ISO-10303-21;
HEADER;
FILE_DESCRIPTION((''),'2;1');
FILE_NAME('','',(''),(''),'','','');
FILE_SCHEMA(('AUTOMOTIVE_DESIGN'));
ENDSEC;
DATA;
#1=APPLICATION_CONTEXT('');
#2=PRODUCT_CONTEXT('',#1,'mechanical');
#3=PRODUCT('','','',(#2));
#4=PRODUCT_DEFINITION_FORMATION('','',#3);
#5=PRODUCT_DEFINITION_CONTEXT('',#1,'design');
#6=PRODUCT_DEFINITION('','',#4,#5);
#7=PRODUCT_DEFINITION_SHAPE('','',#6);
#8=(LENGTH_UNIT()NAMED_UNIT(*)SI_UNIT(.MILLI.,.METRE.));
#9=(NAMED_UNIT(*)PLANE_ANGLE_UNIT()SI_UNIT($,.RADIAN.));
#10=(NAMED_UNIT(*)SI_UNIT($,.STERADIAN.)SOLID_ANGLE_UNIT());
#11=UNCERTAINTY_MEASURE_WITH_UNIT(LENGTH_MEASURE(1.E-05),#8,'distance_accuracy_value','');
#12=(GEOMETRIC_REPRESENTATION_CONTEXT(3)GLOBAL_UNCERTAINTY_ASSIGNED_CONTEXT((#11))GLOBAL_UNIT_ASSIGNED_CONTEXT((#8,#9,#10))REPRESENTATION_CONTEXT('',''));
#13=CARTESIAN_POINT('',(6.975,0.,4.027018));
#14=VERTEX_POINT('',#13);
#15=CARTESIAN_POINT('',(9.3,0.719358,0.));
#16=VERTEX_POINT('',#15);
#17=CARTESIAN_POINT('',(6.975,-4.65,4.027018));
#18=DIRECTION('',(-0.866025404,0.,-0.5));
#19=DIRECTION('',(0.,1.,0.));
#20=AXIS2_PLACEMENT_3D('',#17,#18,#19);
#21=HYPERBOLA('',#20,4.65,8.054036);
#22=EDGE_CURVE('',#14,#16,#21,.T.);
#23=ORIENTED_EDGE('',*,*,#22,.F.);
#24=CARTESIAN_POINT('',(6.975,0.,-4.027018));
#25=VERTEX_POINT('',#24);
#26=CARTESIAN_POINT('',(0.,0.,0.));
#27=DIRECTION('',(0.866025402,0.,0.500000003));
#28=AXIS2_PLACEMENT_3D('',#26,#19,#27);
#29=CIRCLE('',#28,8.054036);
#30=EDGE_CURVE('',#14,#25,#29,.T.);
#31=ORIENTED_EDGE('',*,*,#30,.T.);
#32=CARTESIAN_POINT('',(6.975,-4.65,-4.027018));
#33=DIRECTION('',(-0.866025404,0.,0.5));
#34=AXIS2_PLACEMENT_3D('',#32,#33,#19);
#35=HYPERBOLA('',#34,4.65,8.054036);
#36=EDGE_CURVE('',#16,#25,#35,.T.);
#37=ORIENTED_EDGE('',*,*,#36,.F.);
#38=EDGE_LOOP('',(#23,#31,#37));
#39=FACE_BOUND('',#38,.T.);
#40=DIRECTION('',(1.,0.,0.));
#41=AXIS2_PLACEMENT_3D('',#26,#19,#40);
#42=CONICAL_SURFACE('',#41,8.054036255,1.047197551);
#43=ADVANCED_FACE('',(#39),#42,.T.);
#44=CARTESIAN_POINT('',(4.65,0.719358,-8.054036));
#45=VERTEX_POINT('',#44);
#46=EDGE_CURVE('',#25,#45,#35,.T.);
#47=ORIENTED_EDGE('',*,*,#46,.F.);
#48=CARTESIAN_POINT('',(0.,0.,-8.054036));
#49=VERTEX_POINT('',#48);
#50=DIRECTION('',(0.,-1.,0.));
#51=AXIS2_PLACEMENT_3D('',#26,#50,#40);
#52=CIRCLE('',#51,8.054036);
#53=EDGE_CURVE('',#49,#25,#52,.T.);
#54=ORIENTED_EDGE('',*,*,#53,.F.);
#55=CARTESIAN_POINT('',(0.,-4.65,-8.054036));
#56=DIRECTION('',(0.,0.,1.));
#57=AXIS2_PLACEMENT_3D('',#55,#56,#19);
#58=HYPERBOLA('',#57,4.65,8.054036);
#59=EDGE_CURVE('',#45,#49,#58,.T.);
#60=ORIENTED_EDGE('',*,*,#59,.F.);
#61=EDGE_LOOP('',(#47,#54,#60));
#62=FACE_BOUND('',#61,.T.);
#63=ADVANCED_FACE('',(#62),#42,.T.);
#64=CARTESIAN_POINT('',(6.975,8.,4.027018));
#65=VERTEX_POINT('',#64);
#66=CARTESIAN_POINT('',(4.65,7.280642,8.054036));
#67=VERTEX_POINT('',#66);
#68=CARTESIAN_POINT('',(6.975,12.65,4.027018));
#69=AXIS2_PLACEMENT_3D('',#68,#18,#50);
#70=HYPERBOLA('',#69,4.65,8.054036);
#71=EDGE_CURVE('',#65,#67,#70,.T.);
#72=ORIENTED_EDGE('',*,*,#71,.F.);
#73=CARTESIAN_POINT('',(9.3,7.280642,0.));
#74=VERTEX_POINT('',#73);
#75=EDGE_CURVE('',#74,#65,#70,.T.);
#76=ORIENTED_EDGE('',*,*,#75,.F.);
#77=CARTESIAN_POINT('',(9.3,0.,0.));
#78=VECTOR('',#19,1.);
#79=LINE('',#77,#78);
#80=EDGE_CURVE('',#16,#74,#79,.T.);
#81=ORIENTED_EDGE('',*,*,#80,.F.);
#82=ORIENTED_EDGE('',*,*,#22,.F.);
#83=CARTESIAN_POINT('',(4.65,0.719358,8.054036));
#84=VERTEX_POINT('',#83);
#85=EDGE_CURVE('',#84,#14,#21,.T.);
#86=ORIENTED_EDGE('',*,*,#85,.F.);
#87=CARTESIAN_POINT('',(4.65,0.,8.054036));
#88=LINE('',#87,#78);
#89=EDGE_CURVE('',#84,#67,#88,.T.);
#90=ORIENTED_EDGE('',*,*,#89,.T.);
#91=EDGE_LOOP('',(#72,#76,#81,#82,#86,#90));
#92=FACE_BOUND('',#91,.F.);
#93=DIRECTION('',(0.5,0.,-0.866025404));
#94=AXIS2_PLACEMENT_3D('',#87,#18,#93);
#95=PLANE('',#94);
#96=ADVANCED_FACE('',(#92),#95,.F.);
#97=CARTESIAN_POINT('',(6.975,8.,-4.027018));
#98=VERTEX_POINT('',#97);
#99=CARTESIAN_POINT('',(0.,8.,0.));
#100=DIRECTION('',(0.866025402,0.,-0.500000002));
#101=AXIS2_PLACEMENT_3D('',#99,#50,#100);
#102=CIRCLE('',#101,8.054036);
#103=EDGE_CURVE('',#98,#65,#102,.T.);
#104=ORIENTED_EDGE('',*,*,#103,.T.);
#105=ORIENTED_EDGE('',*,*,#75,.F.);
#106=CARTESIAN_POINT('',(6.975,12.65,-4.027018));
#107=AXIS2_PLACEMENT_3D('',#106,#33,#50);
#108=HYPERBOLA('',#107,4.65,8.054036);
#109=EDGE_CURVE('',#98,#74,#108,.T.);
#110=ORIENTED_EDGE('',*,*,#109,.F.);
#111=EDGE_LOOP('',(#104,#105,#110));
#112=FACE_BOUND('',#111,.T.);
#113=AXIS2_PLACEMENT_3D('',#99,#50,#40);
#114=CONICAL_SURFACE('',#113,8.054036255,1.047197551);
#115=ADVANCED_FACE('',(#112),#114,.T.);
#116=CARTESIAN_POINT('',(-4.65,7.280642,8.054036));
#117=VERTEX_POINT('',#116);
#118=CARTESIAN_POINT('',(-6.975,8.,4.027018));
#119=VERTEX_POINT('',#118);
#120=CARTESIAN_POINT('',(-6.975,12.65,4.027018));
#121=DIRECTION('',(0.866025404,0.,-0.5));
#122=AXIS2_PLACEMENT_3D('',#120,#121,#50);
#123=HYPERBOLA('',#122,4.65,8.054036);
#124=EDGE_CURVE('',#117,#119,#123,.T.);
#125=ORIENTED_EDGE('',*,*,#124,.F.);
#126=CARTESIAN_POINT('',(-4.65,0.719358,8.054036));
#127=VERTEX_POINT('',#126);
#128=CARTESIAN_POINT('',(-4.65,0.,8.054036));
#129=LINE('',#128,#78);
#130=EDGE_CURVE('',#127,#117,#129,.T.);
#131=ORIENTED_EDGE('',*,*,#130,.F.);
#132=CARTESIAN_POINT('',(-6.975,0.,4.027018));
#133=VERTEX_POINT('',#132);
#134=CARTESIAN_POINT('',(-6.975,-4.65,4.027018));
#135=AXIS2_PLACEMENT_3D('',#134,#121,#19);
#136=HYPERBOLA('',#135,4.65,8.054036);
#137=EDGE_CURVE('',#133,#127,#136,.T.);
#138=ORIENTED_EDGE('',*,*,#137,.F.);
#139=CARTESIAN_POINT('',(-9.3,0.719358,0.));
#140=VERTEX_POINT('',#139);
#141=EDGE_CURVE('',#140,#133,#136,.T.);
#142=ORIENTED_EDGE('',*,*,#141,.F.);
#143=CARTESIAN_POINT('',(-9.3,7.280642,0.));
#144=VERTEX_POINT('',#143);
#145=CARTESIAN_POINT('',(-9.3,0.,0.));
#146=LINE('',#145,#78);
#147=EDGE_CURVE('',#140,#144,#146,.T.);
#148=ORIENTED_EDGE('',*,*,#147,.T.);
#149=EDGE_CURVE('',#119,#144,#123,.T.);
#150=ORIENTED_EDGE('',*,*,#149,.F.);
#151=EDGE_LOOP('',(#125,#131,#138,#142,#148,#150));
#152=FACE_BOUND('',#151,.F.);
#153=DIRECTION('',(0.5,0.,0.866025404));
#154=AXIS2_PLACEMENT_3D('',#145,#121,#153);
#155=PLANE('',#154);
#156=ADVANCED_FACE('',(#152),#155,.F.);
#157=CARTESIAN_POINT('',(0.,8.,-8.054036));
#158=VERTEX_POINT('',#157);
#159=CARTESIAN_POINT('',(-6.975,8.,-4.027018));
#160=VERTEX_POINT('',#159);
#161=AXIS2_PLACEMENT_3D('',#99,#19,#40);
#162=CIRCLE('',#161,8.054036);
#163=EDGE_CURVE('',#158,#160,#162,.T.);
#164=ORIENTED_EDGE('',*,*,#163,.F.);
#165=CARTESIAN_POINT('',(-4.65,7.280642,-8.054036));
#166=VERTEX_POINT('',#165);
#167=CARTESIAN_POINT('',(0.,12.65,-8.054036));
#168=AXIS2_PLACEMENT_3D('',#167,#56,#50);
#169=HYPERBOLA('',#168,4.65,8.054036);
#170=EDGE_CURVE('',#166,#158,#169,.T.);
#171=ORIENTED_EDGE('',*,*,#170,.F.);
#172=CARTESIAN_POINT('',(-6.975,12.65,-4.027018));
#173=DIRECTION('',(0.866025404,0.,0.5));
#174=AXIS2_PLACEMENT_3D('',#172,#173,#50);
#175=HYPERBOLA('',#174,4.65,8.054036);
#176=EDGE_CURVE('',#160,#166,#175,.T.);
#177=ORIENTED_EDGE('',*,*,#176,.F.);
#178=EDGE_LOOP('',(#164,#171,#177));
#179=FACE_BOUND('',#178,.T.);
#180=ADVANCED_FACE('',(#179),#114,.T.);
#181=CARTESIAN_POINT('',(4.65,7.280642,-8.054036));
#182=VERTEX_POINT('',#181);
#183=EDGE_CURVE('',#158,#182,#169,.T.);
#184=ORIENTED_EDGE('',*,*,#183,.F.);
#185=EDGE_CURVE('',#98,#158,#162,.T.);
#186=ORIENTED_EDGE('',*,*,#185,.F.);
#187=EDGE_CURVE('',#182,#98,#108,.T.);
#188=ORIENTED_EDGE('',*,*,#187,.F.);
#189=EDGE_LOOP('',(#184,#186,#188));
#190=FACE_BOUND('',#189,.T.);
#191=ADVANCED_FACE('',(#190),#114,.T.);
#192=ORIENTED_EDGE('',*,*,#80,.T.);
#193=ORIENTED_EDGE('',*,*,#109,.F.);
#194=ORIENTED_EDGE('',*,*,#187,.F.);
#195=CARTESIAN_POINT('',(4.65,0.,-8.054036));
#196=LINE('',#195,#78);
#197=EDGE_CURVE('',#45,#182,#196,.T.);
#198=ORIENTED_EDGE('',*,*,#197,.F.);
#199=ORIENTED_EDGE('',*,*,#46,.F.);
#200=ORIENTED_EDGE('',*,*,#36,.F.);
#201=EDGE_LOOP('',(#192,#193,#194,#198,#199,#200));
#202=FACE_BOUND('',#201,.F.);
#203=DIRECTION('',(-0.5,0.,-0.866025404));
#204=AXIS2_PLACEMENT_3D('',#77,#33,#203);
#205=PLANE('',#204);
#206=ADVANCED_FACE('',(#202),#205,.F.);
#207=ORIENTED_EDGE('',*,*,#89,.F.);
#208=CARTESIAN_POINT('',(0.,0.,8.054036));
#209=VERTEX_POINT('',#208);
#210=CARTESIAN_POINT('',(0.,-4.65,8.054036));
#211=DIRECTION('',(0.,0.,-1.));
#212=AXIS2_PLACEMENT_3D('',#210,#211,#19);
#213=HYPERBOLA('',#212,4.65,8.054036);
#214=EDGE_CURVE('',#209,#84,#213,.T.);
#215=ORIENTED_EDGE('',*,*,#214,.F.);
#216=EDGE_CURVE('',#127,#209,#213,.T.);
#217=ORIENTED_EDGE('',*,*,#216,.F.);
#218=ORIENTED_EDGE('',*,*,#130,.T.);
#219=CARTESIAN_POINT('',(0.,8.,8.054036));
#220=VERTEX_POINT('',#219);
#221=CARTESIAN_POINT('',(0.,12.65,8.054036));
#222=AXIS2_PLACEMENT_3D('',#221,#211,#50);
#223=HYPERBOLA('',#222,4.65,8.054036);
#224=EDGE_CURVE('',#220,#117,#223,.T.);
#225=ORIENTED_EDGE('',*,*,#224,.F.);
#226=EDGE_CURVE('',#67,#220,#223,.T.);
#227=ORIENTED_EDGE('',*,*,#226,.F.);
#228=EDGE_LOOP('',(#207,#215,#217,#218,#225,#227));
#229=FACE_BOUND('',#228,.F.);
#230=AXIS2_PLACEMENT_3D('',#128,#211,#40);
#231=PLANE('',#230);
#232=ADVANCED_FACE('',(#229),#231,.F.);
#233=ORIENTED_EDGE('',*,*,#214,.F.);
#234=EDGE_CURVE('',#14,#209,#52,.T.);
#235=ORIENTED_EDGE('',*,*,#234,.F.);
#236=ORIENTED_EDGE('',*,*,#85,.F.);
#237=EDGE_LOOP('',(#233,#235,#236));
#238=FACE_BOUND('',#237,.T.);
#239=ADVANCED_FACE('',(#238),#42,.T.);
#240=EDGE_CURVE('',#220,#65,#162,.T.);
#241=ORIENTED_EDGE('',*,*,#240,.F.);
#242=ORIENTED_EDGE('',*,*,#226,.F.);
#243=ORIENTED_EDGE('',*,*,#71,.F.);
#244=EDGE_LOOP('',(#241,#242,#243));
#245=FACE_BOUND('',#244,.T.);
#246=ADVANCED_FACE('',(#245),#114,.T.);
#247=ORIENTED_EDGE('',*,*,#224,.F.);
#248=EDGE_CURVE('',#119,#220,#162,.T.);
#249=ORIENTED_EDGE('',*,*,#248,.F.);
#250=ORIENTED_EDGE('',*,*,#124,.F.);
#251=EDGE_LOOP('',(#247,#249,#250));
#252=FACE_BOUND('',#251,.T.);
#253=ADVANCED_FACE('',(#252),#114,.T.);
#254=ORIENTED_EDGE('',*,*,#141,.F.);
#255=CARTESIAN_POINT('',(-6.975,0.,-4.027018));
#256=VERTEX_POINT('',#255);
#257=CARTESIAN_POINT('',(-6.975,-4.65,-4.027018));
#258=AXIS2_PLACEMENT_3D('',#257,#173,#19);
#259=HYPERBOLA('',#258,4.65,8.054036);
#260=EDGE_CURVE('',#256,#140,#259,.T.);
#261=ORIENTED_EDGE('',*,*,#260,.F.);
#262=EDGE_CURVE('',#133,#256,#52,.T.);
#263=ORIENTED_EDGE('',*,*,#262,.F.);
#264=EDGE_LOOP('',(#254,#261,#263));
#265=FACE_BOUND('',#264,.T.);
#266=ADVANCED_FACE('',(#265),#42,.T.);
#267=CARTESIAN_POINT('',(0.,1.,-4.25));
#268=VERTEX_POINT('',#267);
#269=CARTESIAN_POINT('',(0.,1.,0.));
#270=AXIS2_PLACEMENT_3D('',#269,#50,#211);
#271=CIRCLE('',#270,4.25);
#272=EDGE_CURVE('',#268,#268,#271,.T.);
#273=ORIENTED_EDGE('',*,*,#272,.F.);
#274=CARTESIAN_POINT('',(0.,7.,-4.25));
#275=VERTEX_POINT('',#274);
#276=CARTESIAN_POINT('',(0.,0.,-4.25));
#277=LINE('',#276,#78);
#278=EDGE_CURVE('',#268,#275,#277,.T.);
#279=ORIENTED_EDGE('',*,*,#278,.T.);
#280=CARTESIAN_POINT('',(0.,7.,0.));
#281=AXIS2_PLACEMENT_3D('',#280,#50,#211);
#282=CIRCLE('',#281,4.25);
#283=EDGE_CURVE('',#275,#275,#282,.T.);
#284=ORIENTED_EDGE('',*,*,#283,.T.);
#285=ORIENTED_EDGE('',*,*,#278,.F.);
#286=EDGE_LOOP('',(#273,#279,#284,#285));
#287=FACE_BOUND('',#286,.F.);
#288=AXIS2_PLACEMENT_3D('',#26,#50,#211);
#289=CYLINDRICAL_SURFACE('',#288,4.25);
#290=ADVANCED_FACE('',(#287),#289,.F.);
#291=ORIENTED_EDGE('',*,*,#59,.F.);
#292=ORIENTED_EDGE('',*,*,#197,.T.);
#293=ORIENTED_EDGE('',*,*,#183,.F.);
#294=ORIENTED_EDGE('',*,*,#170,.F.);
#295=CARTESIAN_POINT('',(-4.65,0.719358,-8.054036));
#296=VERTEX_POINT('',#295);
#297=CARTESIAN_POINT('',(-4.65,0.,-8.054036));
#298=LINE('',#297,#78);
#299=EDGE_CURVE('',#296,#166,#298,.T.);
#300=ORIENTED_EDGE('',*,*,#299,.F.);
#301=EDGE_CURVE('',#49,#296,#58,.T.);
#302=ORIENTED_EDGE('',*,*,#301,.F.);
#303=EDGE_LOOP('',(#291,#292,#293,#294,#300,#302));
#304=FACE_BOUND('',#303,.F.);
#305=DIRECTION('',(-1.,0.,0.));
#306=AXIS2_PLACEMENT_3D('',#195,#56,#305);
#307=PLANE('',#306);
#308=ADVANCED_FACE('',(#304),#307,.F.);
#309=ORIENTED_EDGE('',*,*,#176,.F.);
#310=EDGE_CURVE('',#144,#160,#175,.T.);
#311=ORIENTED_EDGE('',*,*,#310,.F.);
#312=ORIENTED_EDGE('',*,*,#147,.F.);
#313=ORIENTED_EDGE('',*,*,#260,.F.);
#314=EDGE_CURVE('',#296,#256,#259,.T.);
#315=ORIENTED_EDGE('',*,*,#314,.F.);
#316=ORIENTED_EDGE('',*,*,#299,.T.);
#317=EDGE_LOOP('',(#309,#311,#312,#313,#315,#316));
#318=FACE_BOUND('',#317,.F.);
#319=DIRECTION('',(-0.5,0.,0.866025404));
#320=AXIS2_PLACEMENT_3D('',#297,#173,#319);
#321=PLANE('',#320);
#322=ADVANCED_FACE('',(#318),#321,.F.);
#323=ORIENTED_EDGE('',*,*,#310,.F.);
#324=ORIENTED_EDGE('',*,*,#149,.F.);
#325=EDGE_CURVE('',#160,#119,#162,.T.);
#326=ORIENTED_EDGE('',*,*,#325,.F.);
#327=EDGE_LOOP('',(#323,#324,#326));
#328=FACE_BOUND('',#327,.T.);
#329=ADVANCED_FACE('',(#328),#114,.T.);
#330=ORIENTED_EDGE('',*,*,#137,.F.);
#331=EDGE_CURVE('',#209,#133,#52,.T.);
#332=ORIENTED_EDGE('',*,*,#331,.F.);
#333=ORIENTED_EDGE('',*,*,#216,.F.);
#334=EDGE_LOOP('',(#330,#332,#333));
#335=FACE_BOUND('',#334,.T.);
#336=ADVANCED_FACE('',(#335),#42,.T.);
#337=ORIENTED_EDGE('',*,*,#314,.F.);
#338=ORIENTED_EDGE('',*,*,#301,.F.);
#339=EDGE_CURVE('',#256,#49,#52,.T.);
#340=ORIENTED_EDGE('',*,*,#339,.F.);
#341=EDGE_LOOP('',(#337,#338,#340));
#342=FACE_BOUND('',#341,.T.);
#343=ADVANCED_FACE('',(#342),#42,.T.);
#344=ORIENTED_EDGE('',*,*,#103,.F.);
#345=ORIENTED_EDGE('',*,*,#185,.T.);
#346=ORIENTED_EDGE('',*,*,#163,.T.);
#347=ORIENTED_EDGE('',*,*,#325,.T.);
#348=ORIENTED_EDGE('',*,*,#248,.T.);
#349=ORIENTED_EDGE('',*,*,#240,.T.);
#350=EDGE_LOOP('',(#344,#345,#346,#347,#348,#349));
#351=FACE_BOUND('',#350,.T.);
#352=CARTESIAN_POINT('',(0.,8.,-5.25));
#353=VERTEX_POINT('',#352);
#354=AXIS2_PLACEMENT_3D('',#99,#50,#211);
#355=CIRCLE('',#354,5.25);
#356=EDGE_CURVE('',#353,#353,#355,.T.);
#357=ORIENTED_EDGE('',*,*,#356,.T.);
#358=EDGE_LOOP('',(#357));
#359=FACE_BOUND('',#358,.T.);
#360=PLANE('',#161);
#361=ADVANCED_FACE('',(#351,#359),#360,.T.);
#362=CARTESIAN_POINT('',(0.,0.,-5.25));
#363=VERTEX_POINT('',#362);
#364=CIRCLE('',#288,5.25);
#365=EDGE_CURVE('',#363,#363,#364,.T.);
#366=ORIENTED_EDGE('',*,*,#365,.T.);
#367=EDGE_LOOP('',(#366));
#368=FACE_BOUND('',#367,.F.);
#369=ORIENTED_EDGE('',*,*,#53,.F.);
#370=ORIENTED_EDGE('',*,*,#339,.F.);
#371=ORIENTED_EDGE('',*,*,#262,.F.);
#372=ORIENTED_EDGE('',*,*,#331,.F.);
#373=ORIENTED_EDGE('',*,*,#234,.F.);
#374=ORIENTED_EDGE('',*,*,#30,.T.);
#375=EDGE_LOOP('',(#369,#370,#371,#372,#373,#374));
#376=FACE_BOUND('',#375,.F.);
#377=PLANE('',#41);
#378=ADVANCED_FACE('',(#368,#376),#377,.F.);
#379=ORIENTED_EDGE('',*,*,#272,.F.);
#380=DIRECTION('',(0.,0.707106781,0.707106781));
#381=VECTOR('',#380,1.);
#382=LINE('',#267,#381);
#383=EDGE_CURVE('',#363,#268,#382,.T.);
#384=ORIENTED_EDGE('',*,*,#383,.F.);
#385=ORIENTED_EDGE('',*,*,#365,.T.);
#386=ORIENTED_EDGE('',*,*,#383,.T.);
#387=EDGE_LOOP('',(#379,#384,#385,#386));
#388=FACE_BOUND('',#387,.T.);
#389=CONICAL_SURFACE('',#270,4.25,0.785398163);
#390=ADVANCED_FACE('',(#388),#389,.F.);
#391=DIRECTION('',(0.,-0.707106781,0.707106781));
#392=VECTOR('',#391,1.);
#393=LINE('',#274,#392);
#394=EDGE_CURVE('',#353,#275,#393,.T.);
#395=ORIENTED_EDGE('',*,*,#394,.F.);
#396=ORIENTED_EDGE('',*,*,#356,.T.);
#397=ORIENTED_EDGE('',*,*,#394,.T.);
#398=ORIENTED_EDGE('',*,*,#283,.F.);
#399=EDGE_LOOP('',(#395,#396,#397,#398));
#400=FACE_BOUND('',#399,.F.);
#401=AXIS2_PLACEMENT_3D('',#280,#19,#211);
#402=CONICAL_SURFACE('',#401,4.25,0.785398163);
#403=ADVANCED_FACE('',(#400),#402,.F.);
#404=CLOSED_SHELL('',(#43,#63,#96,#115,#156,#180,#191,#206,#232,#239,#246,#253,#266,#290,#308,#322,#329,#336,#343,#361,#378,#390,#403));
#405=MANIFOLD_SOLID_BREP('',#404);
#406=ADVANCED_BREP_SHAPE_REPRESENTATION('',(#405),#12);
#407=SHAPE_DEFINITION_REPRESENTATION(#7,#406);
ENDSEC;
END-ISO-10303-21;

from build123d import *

# Parameters (mm, degrees)
EXTRUDE_1_DEPTH     = 8
SKETCH_2_OUTSIDE_W  = 53.488
SKETCH_2_OUTSIDE_H  = 50.996
SKETCH_2_OUTSIDE_R  = 8.054036255
CUT_EXTRUDE_2_DEPTH = 8
CUT_EXTRUDE_2_DRAFT = -60
SKETCH_3_OUTSIDE_W  = 53.488
SKETCH_3_OUTSIDE_H  = 50.996
SKETCH_3_OUTSIDE_R  = 8.054036255
CUT_EXTRUDE_3_DEPTH = 8
CUT_EXTRUDE_3_DRAFT = -60
SKETCH_4_R          = 4.25
CUT_EXTRUDE_4_DEPTH = 15.675063884
CHAMFER_1_SIZE      = 1


with BuildPart() as part:
    # Эскиз1 → Бобышка-Вытянуть1 (new body)
    with BuildSketch(Plane(origin=(0, 0, 0), x_dir=(1, 0, 0), z_dir=(0, 1, 0))):
        Polygon((9.3, 0), (4.65, 8.054036255), (-4.65, 8.054036255), (-9.3, 0), (-4.65, -8.054036255), (4.65, -8.054036255), align=None)
    extrude(amount=EXTRUDE_1_DEPTH)


with BuildPart() as cut_extrude_2_tool:
    # Эскиз2 outside → Вырез-Вытянуть2 (with draft: the straight prism first)
    with BuildSketch(Plane(origin=(0, 8, 0), x_dir=(1, 0, 0), z_dir=(0, 1, 0))):
        Rectangle(SKETCH_2_OUTSIDE_W, SKETCH_2_OUTSIDE_H)
        Circle(SKETCH_2_OUTSIDE_R, mode=Mode.SUBTRACT)
    extrude(amount=-CUT_EXTRUDE_2_DEPTH)
    # Вырез-Вытянуть2: the draft: its side faces are tilted about the plane it starts from
    cut_extrude_2_sides = [cut_extrude_2_tool.faces().sort_by_distance(p)[0] for p in [
        (0, 4, 25.498),
        (26.744, 4, 0),
        (0, 4, -25.498),
        (-26.744, 4, 0),
        (-8.054036255, 4, 0),
    ]]
    draft(cut_extrude_2_sides, Plane(origin=(0, 8, 0), x_dir=(1, 0, 0), z_dir=(0, 1, 0)), CUT_EXTRUDE_2_DRAFT)


with BuildPart() as part_1:
    add(part.part)

    # Вырез-Вытянуть2: cut by cut_extrude_2_tool
    add(cut_extrude_2_tool.part, mode=Mode.SUBTRACT)


with BuildPart() as cut_extrude_3_tool:
    # Эскиз3 outside → Вырез-Вытянуть3 (with draft: the straight prism first)
    with BuildSketch(Plane.XZ):
        Rectangle(SKETCH_3_OUTSIDE_W, SKETCH_3_OUTSIDE_H)
        Circle(SKETCH_3_OUTSIDE_R, mode=Mode.SUBTRACT)
    extrude(amount=-CUT_EXTRUDE_3_DEPTH)
    # Вырез-Вытянуть3: the draft: its side faces are tilted about the plane it starts from
    cut_extrude_3_sides = [cut_extrude_3_tool.faces().sort_by_distance(p)[0] for p in [
        (0, 4, -25.498),
        (26.744, 4, 0),
        (0, 4, 25.498),
        (-26.744, 4, 0),
        (-8.054036255, 4, 0),
    ]]
    draft(cut_extrude_3_sides, Plane.XZ, CUT_EXTRUDE_3_DRAFT)


with BuildPart() as part_2:
    add(part_1.part)

    # Вырез-Вытянуть3: cut by cut_extrude_3_tool
    add(cut_extrude_3_tool.part, mode=Mode.SUBTRACT)

    # Эскиз4 → Вырез-Вытянуть4 (cut, through all)
    with BuildSketch(Plane.XZ):
        with Locations(Location((0, 0, 0), (0, 0, 270))):
            Circle(SKETCH_4_R)
    extrude(amount=-CUT_EXTRUDE_4_DEPTH, mode=Mode.SUBTRACT)

    # Фаска1
    chamfer_1_edges = [part_2.edges().sort_by_distance(p)[0] for p in [
        (0, 8, 4.25),
        (0, 0, 4.25),
    ]]
    chamfer(chamfer_1_edges, length=CHAMFER_1_SIZE)


solid = part_2.part
